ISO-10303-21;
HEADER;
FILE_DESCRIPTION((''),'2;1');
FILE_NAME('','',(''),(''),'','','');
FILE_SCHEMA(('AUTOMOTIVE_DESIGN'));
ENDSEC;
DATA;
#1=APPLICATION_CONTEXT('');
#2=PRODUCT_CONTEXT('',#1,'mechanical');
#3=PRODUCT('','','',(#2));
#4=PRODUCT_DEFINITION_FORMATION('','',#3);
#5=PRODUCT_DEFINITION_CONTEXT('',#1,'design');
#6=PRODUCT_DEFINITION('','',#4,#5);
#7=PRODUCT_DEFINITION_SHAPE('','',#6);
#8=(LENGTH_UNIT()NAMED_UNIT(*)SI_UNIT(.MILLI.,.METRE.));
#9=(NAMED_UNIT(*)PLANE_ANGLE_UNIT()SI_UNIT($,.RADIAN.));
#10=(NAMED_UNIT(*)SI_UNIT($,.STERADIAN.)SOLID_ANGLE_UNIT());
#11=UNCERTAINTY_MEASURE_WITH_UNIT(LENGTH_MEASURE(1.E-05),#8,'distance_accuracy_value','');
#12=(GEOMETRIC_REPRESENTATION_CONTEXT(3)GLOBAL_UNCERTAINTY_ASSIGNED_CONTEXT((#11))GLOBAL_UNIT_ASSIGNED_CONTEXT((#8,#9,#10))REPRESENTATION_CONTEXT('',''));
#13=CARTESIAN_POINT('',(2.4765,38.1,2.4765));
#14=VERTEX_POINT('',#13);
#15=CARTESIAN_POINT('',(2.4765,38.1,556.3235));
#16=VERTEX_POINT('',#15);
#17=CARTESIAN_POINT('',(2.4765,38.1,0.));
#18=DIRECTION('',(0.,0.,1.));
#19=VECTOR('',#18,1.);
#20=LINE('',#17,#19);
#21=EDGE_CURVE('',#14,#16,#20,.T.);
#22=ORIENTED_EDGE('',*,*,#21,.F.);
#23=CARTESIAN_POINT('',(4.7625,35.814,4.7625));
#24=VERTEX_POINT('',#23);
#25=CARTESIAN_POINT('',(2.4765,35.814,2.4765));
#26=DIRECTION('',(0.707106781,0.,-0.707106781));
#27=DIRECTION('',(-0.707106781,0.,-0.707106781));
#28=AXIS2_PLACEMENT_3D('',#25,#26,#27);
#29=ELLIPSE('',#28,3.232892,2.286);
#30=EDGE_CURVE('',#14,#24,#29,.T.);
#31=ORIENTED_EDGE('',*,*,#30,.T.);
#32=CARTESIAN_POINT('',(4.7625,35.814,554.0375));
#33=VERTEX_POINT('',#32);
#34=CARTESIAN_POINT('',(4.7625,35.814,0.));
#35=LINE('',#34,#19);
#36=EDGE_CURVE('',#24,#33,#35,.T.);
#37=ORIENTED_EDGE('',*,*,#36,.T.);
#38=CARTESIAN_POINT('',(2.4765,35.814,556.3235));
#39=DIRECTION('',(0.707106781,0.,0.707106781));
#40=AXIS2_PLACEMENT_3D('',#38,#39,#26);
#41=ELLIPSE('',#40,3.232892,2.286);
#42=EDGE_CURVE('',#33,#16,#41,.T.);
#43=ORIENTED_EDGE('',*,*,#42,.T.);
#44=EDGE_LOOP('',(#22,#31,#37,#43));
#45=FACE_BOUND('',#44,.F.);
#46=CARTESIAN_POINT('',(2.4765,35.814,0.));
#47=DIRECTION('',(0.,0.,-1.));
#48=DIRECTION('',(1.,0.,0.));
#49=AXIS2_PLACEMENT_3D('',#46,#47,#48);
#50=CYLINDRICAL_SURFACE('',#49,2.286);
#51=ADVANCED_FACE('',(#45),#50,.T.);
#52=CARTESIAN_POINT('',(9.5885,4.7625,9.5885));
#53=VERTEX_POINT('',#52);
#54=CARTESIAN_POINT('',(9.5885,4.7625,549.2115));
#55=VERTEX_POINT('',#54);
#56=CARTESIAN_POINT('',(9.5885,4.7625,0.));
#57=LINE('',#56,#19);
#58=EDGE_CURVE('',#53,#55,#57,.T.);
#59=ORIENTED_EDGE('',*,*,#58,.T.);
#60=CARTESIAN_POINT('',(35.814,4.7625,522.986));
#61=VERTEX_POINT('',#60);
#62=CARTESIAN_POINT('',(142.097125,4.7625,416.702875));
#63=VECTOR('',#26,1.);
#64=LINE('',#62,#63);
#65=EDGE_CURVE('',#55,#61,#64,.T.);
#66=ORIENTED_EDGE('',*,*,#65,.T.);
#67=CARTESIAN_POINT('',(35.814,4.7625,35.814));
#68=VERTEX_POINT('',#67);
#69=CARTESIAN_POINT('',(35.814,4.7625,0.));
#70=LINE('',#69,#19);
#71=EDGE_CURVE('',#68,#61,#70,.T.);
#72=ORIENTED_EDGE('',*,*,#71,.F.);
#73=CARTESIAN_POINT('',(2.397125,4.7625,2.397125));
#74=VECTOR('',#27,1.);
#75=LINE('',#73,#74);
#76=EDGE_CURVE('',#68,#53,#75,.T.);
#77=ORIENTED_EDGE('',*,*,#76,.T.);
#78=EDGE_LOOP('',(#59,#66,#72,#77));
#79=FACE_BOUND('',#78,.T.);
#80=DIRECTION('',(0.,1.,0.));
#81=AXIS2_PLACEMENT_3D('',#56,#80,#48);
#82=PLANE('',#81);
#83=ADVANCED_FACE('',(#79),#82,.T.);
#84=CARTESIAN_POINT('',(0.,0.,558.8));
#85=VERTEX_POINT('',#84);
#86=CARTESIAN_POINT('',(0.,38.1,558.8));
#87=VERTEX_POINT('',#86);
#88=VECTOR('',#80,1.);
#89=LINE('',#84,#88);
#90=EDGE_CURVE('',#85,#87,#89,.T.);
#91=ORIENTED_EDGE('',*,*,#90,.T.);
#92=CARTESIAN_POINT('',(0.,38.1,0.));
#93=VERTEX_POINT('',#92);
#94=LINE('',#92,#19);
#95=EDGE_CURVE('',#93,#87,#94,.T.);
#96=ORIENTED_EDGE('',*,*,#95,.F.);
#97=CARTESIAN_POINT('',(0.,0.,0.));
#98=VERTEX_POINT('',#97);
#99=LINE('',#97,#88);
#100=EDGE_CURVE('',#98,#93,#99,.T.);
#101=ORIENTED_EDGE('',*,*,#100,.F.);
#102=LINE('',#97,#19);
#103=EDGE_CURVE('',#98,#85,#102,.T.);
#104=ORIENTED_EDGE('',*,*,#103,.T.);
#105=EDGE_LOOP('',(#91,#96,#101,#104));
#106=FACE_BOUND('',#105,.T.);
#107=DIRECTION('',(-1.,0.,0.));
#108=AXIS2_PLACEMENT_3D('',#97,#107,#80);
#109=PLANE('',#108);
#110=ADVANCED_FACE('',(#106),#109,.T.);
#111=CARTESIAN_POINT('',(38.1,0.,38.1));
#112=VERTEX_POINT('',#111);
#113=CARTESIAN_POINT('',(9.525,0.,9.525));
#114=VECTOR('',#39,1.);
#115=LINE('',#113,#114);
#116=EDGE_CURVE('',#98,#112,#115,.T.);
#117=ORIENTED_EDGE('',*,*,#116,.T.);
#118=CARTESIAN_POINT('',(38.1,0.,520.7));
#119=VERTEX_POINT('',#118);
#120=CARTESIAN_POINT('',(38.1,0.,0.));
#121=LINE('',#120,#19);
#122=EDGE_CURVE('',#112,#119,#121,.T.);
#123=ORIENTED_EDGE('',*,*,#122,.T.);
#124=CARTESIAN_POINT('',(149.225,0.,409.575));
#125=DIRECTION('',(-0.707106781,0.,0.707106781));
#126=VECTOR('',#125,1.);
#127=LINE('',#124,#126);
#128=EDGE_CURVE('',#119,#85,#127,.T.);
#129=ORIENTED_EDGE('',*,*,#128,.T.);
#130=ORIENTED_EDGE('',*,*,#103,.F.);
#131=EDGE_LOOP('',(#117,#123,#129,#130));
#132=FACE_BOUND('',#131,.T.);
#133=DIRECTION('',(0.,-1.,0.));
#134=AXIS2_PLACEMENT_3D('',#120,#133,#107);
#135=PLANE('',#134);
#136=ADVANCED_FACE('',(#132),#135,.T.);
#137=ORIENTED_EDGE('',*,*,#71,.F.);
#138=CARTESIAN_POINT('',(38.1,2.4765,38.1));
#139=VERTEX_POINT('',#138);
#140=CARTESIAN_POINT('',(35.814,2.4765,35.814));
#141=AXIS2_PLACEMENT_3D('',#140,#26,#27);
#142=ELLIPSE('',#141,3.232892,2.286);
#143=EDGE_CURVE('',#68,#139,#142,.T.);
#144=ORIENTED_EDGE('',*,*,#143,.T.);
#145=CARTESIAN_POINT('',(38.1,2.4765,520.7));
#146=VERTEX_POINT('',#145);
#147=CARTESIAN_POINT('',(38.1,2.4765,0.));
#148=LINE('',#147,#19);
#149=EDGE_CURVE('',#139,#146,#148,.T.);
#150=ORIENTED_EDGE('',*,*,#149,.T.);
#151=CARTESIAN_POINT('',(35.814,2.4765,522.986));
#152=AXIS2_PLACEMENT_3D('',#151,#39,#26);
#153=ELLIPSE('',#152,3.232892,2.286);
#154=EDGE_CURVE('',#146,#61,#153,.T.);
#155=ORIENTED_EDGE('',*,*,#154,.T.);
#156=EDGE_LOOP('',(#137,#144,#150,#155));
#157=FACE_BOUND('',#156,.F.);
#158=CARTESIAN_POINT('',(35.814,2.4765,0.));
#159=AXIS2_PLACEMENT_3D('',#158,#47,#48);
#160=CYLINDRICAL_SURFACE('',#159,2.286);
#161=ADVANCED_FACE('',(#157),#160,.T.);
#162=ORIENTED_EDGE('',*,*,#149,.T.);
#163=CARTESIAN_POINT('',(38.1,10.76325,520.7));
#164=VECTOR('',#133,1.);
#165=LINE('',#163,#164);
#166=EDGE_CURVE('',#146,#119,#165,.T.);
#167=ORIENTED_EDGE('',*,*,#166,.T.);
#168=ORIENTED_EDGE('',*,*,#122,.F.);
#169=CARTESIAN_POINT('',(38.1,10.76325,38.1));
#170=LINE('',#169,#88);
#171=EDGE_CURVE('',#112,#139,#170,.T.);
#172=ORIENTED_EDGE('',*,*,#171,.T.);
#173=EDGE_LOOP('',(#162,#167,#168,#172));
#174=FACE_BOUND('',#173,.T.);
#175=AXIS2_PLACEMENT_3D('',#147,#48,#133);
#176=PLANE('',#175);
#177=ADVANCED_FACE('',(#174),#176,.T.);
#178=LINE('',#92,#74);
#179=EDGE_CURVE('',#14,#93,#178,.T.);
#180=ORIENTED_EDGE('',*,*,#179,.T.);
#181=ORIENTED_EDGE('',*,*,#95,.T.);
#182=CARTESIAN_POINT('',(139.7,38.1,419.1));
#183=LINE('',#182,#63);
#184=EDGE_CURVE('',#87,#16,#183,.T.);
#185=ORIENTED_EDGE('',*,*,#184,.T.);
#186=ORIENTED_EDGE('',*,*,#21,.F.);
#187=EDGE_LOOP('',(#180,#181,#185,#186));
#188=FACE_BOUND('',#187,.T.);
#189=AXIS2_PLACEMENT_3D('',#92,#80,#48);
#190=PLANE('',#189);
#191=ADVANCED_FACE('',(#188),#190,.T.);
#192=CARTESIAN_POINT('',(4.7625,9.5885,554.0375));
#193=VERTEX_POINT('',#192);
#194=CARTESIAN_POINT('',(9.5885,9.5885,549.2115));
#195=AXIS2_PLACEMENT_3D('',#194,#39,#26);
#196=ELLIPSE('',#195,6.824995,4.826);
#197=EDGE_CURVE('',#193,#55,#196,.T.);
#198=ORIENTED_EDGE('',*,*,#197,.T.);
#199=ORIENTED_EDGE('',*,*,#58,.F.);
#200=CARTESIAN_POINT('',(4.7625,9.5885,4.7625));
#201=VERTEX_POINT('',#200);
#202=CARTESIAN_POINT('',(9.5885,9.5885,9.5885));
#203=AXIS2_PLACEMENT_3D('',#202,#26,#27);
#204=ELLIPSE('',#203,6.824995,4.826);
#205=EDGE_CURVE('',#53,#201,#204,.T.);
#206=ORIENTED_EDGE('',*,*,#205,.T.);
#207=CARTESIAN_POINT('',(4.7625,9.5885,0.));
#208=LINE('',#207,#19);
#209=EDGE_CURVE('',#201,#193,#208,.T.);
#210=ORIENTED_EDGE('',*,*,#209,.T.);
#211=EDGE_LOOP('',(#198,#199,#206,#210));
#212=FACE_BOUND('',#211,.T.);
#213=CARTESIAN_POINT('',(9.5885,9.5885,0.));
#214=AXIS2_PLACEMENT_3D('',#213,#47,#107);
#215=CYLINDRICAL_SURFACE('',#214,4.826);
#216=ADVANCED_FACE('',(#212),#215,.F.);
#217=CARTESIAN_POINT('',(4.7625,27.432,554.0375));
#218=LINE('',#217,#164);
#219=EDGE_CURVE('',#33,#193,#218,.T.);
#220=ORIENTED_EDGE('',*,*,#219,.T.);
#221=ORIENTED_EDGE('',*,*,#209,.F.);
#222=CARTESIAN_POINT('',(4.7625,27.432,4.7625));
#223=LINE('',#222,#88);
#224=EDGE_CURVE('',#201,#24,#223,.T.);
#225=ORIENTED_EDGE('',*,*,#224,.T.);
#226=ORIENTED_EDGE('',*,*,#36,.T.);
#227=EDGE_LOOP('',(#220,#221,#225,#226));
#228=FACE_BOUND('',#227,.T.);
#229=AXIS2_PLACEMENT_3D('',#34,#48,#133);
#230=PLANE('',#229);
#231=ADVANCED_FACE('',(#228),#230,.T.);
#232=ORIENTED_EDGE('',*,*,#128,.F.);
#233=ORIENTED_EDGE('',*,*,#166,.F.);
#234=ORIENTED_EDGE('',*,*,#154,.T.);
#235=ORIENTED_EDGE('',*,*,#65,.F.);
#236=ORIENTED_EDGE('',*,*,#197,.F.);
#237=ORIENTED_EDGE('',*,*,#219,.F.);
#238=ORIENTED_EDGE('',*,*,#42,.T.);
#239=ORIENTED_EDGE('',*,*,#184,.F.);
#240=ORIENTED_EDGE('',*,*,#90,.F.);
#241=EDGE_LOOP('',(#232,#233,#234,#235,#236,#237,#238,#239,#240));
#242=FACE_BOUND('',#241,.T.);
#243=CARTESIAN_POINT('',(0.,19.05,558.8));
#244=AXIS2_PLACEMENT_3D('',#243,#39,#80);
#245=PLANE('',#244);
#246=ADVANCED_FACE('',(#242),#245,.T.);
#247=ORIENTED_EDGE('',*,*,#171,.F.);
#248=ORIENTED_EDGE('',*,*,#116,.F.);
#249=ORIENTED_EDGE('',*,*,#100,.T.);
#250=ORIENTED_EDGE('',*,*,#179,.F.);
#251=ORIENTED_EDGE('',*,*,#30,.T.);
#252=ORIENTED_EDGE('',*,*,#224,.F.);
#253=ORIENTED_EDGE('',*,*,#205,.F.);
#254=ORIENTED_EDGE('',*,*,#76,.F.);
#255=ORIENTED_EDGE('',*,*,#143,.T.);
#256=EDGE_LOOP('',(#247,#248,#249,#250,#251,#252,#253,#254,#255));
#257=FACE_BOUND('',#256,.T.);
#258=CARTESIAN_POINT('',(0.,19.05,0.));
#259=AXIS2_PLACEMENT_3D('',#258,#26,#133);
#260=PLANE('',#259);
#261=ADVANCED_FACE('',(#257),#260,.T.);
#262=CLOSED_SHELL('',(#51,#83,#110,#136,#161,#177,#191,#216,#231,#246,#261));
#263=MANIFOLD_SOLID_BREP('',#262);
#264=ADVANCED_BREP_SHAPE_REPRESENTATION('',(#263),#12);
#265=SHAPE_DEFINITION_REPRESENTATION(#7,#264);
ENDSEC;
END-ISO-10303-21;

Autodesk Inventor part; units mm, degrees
ref_plane "Start plane" through (0, 0, 0) normal (0, 0, 1) x (1, 0, 0)
ref_plane "End plane" through (0, 0, 558.8) normal (0, 0, 1) x (1, 0, 0)
sketch "Sketch" plane through (0, 0, 0) normal (0, 0, 1) x (1, 0, 0)
  line L0 (38.1, 0) -> (0, 0)
  line L1 (0, 0) -> (0, 38.1)
  line L2 (0, 38.1) -> (2.4765, 38.1)
  line L3 (4.7625, 35.814) -> (4.7625, 9.5885)
  line L4 (9.5885, 4.7625) -> (35.814, 4.7625)
  line L5 (38.1, 2.4765) -> (38.1, 0)
  line L6 (0, -11.0414) -> (0, 31.5385) construction
  line L7 (-11.0414, 0) -> (31.5385, 0) construction
  arc A0 (4.7625, 9.5885) -> (9.5885, 4.7625) centre (9.5885, 9.5885) ccw
  arc A1 (4.7625, 35.814) -> (2.4765, 38.1) centre (2.4765, 35.814) ccw
  arc A2 (38.1, 2.4765) -> (35.814, 4.7625) centre (35.814, 2.4765) ccw
  line L8 (0, 48.4964) -> (0, -20.9644) construction
  line L9 (-20.9644, 0) -> (48.4964, 0) construction
  point P0 (4.7625, 38.1)
  point P1 (4.7625, 4.7625)
  point P2 (38.1, 4.7625)
  dimension "d0" = 38.1
  dimension "d1" = 38.1
  dimension "d2" = 4.7625
  dimension "d3" = 4.7625
  dimension "d10" = 0
  dimension "d11" = 0
  dimension "d14" = 4.826
  dimension "d15" = 2.286
extrude "Body" add sketch "Sketch" along normal up to surface (558.8 mm away) from surface at 0
sketch "Sketch3" plane through (0, 0, 0) normal (0, 0, 1) x (1, 0, 0)
  line L0 (0, 0) -> (10, 0)
ref_plane "Work Plane3" through (0, 0, 0) normal (0, -1, 0) x (1, 0, 0)
sketch "Sketch4" plane through (0, 0, 0) normal (0, -1, 0) x (1, 0, 0)
  line L0 (-2, 0) -> (12, 0)
  line L1 (-2, 558.8) -> (12, 558.8)
  dimension "d17" = 558.8
ref_plane "Work Plane4" through (0, 19.05, 0) normal (0.7071, 0, -0.7071) x (-0.7071, 0, -0.7071)
split "Split1" plane through (0, 19.05, 0) removes the side toward (0.7071, 0, -0.7071)
ref_plane "Work Plane5" through (0, 19.05, 558.8) normal (0.7071, 0, 0.7071) x (0.7071, 0, -0.7071)
split "Split2" plane through (0, 19.05, 558.8) removes the side toward (0.7071, 0, 0.7071)
equation "\"d0\" = G_H"
equation "\"d1\" = G_H"
equation "\"d2\" = G_T"
equation "\"d3\" = G_T"
equation "\"d14\" = G_IR"
equation "\"d15\" = G_ER"
equation "\"d4\" = G_L"
equation "\"G_H\" = 38.1"
equation "\"G_T\" = 4.7625"
equation "\"G_ER\" = 2.286"
equation "\"G_IR\" = 4.826"
equation "\"G_L\" = d17"
equation "\"ex\" = 0"
equation "\"G_OFFSET_START\" = 0"
equation "\"G_OFFSET_END\" = 0"
equation "\"d13\" = G_OFFSET_END + B_L"
equation "\"B_L\" = 558.8"
properties part number "AISC - L 1.5 x 1.5 x 3/16 - 22" material "Aluminum 6061"
